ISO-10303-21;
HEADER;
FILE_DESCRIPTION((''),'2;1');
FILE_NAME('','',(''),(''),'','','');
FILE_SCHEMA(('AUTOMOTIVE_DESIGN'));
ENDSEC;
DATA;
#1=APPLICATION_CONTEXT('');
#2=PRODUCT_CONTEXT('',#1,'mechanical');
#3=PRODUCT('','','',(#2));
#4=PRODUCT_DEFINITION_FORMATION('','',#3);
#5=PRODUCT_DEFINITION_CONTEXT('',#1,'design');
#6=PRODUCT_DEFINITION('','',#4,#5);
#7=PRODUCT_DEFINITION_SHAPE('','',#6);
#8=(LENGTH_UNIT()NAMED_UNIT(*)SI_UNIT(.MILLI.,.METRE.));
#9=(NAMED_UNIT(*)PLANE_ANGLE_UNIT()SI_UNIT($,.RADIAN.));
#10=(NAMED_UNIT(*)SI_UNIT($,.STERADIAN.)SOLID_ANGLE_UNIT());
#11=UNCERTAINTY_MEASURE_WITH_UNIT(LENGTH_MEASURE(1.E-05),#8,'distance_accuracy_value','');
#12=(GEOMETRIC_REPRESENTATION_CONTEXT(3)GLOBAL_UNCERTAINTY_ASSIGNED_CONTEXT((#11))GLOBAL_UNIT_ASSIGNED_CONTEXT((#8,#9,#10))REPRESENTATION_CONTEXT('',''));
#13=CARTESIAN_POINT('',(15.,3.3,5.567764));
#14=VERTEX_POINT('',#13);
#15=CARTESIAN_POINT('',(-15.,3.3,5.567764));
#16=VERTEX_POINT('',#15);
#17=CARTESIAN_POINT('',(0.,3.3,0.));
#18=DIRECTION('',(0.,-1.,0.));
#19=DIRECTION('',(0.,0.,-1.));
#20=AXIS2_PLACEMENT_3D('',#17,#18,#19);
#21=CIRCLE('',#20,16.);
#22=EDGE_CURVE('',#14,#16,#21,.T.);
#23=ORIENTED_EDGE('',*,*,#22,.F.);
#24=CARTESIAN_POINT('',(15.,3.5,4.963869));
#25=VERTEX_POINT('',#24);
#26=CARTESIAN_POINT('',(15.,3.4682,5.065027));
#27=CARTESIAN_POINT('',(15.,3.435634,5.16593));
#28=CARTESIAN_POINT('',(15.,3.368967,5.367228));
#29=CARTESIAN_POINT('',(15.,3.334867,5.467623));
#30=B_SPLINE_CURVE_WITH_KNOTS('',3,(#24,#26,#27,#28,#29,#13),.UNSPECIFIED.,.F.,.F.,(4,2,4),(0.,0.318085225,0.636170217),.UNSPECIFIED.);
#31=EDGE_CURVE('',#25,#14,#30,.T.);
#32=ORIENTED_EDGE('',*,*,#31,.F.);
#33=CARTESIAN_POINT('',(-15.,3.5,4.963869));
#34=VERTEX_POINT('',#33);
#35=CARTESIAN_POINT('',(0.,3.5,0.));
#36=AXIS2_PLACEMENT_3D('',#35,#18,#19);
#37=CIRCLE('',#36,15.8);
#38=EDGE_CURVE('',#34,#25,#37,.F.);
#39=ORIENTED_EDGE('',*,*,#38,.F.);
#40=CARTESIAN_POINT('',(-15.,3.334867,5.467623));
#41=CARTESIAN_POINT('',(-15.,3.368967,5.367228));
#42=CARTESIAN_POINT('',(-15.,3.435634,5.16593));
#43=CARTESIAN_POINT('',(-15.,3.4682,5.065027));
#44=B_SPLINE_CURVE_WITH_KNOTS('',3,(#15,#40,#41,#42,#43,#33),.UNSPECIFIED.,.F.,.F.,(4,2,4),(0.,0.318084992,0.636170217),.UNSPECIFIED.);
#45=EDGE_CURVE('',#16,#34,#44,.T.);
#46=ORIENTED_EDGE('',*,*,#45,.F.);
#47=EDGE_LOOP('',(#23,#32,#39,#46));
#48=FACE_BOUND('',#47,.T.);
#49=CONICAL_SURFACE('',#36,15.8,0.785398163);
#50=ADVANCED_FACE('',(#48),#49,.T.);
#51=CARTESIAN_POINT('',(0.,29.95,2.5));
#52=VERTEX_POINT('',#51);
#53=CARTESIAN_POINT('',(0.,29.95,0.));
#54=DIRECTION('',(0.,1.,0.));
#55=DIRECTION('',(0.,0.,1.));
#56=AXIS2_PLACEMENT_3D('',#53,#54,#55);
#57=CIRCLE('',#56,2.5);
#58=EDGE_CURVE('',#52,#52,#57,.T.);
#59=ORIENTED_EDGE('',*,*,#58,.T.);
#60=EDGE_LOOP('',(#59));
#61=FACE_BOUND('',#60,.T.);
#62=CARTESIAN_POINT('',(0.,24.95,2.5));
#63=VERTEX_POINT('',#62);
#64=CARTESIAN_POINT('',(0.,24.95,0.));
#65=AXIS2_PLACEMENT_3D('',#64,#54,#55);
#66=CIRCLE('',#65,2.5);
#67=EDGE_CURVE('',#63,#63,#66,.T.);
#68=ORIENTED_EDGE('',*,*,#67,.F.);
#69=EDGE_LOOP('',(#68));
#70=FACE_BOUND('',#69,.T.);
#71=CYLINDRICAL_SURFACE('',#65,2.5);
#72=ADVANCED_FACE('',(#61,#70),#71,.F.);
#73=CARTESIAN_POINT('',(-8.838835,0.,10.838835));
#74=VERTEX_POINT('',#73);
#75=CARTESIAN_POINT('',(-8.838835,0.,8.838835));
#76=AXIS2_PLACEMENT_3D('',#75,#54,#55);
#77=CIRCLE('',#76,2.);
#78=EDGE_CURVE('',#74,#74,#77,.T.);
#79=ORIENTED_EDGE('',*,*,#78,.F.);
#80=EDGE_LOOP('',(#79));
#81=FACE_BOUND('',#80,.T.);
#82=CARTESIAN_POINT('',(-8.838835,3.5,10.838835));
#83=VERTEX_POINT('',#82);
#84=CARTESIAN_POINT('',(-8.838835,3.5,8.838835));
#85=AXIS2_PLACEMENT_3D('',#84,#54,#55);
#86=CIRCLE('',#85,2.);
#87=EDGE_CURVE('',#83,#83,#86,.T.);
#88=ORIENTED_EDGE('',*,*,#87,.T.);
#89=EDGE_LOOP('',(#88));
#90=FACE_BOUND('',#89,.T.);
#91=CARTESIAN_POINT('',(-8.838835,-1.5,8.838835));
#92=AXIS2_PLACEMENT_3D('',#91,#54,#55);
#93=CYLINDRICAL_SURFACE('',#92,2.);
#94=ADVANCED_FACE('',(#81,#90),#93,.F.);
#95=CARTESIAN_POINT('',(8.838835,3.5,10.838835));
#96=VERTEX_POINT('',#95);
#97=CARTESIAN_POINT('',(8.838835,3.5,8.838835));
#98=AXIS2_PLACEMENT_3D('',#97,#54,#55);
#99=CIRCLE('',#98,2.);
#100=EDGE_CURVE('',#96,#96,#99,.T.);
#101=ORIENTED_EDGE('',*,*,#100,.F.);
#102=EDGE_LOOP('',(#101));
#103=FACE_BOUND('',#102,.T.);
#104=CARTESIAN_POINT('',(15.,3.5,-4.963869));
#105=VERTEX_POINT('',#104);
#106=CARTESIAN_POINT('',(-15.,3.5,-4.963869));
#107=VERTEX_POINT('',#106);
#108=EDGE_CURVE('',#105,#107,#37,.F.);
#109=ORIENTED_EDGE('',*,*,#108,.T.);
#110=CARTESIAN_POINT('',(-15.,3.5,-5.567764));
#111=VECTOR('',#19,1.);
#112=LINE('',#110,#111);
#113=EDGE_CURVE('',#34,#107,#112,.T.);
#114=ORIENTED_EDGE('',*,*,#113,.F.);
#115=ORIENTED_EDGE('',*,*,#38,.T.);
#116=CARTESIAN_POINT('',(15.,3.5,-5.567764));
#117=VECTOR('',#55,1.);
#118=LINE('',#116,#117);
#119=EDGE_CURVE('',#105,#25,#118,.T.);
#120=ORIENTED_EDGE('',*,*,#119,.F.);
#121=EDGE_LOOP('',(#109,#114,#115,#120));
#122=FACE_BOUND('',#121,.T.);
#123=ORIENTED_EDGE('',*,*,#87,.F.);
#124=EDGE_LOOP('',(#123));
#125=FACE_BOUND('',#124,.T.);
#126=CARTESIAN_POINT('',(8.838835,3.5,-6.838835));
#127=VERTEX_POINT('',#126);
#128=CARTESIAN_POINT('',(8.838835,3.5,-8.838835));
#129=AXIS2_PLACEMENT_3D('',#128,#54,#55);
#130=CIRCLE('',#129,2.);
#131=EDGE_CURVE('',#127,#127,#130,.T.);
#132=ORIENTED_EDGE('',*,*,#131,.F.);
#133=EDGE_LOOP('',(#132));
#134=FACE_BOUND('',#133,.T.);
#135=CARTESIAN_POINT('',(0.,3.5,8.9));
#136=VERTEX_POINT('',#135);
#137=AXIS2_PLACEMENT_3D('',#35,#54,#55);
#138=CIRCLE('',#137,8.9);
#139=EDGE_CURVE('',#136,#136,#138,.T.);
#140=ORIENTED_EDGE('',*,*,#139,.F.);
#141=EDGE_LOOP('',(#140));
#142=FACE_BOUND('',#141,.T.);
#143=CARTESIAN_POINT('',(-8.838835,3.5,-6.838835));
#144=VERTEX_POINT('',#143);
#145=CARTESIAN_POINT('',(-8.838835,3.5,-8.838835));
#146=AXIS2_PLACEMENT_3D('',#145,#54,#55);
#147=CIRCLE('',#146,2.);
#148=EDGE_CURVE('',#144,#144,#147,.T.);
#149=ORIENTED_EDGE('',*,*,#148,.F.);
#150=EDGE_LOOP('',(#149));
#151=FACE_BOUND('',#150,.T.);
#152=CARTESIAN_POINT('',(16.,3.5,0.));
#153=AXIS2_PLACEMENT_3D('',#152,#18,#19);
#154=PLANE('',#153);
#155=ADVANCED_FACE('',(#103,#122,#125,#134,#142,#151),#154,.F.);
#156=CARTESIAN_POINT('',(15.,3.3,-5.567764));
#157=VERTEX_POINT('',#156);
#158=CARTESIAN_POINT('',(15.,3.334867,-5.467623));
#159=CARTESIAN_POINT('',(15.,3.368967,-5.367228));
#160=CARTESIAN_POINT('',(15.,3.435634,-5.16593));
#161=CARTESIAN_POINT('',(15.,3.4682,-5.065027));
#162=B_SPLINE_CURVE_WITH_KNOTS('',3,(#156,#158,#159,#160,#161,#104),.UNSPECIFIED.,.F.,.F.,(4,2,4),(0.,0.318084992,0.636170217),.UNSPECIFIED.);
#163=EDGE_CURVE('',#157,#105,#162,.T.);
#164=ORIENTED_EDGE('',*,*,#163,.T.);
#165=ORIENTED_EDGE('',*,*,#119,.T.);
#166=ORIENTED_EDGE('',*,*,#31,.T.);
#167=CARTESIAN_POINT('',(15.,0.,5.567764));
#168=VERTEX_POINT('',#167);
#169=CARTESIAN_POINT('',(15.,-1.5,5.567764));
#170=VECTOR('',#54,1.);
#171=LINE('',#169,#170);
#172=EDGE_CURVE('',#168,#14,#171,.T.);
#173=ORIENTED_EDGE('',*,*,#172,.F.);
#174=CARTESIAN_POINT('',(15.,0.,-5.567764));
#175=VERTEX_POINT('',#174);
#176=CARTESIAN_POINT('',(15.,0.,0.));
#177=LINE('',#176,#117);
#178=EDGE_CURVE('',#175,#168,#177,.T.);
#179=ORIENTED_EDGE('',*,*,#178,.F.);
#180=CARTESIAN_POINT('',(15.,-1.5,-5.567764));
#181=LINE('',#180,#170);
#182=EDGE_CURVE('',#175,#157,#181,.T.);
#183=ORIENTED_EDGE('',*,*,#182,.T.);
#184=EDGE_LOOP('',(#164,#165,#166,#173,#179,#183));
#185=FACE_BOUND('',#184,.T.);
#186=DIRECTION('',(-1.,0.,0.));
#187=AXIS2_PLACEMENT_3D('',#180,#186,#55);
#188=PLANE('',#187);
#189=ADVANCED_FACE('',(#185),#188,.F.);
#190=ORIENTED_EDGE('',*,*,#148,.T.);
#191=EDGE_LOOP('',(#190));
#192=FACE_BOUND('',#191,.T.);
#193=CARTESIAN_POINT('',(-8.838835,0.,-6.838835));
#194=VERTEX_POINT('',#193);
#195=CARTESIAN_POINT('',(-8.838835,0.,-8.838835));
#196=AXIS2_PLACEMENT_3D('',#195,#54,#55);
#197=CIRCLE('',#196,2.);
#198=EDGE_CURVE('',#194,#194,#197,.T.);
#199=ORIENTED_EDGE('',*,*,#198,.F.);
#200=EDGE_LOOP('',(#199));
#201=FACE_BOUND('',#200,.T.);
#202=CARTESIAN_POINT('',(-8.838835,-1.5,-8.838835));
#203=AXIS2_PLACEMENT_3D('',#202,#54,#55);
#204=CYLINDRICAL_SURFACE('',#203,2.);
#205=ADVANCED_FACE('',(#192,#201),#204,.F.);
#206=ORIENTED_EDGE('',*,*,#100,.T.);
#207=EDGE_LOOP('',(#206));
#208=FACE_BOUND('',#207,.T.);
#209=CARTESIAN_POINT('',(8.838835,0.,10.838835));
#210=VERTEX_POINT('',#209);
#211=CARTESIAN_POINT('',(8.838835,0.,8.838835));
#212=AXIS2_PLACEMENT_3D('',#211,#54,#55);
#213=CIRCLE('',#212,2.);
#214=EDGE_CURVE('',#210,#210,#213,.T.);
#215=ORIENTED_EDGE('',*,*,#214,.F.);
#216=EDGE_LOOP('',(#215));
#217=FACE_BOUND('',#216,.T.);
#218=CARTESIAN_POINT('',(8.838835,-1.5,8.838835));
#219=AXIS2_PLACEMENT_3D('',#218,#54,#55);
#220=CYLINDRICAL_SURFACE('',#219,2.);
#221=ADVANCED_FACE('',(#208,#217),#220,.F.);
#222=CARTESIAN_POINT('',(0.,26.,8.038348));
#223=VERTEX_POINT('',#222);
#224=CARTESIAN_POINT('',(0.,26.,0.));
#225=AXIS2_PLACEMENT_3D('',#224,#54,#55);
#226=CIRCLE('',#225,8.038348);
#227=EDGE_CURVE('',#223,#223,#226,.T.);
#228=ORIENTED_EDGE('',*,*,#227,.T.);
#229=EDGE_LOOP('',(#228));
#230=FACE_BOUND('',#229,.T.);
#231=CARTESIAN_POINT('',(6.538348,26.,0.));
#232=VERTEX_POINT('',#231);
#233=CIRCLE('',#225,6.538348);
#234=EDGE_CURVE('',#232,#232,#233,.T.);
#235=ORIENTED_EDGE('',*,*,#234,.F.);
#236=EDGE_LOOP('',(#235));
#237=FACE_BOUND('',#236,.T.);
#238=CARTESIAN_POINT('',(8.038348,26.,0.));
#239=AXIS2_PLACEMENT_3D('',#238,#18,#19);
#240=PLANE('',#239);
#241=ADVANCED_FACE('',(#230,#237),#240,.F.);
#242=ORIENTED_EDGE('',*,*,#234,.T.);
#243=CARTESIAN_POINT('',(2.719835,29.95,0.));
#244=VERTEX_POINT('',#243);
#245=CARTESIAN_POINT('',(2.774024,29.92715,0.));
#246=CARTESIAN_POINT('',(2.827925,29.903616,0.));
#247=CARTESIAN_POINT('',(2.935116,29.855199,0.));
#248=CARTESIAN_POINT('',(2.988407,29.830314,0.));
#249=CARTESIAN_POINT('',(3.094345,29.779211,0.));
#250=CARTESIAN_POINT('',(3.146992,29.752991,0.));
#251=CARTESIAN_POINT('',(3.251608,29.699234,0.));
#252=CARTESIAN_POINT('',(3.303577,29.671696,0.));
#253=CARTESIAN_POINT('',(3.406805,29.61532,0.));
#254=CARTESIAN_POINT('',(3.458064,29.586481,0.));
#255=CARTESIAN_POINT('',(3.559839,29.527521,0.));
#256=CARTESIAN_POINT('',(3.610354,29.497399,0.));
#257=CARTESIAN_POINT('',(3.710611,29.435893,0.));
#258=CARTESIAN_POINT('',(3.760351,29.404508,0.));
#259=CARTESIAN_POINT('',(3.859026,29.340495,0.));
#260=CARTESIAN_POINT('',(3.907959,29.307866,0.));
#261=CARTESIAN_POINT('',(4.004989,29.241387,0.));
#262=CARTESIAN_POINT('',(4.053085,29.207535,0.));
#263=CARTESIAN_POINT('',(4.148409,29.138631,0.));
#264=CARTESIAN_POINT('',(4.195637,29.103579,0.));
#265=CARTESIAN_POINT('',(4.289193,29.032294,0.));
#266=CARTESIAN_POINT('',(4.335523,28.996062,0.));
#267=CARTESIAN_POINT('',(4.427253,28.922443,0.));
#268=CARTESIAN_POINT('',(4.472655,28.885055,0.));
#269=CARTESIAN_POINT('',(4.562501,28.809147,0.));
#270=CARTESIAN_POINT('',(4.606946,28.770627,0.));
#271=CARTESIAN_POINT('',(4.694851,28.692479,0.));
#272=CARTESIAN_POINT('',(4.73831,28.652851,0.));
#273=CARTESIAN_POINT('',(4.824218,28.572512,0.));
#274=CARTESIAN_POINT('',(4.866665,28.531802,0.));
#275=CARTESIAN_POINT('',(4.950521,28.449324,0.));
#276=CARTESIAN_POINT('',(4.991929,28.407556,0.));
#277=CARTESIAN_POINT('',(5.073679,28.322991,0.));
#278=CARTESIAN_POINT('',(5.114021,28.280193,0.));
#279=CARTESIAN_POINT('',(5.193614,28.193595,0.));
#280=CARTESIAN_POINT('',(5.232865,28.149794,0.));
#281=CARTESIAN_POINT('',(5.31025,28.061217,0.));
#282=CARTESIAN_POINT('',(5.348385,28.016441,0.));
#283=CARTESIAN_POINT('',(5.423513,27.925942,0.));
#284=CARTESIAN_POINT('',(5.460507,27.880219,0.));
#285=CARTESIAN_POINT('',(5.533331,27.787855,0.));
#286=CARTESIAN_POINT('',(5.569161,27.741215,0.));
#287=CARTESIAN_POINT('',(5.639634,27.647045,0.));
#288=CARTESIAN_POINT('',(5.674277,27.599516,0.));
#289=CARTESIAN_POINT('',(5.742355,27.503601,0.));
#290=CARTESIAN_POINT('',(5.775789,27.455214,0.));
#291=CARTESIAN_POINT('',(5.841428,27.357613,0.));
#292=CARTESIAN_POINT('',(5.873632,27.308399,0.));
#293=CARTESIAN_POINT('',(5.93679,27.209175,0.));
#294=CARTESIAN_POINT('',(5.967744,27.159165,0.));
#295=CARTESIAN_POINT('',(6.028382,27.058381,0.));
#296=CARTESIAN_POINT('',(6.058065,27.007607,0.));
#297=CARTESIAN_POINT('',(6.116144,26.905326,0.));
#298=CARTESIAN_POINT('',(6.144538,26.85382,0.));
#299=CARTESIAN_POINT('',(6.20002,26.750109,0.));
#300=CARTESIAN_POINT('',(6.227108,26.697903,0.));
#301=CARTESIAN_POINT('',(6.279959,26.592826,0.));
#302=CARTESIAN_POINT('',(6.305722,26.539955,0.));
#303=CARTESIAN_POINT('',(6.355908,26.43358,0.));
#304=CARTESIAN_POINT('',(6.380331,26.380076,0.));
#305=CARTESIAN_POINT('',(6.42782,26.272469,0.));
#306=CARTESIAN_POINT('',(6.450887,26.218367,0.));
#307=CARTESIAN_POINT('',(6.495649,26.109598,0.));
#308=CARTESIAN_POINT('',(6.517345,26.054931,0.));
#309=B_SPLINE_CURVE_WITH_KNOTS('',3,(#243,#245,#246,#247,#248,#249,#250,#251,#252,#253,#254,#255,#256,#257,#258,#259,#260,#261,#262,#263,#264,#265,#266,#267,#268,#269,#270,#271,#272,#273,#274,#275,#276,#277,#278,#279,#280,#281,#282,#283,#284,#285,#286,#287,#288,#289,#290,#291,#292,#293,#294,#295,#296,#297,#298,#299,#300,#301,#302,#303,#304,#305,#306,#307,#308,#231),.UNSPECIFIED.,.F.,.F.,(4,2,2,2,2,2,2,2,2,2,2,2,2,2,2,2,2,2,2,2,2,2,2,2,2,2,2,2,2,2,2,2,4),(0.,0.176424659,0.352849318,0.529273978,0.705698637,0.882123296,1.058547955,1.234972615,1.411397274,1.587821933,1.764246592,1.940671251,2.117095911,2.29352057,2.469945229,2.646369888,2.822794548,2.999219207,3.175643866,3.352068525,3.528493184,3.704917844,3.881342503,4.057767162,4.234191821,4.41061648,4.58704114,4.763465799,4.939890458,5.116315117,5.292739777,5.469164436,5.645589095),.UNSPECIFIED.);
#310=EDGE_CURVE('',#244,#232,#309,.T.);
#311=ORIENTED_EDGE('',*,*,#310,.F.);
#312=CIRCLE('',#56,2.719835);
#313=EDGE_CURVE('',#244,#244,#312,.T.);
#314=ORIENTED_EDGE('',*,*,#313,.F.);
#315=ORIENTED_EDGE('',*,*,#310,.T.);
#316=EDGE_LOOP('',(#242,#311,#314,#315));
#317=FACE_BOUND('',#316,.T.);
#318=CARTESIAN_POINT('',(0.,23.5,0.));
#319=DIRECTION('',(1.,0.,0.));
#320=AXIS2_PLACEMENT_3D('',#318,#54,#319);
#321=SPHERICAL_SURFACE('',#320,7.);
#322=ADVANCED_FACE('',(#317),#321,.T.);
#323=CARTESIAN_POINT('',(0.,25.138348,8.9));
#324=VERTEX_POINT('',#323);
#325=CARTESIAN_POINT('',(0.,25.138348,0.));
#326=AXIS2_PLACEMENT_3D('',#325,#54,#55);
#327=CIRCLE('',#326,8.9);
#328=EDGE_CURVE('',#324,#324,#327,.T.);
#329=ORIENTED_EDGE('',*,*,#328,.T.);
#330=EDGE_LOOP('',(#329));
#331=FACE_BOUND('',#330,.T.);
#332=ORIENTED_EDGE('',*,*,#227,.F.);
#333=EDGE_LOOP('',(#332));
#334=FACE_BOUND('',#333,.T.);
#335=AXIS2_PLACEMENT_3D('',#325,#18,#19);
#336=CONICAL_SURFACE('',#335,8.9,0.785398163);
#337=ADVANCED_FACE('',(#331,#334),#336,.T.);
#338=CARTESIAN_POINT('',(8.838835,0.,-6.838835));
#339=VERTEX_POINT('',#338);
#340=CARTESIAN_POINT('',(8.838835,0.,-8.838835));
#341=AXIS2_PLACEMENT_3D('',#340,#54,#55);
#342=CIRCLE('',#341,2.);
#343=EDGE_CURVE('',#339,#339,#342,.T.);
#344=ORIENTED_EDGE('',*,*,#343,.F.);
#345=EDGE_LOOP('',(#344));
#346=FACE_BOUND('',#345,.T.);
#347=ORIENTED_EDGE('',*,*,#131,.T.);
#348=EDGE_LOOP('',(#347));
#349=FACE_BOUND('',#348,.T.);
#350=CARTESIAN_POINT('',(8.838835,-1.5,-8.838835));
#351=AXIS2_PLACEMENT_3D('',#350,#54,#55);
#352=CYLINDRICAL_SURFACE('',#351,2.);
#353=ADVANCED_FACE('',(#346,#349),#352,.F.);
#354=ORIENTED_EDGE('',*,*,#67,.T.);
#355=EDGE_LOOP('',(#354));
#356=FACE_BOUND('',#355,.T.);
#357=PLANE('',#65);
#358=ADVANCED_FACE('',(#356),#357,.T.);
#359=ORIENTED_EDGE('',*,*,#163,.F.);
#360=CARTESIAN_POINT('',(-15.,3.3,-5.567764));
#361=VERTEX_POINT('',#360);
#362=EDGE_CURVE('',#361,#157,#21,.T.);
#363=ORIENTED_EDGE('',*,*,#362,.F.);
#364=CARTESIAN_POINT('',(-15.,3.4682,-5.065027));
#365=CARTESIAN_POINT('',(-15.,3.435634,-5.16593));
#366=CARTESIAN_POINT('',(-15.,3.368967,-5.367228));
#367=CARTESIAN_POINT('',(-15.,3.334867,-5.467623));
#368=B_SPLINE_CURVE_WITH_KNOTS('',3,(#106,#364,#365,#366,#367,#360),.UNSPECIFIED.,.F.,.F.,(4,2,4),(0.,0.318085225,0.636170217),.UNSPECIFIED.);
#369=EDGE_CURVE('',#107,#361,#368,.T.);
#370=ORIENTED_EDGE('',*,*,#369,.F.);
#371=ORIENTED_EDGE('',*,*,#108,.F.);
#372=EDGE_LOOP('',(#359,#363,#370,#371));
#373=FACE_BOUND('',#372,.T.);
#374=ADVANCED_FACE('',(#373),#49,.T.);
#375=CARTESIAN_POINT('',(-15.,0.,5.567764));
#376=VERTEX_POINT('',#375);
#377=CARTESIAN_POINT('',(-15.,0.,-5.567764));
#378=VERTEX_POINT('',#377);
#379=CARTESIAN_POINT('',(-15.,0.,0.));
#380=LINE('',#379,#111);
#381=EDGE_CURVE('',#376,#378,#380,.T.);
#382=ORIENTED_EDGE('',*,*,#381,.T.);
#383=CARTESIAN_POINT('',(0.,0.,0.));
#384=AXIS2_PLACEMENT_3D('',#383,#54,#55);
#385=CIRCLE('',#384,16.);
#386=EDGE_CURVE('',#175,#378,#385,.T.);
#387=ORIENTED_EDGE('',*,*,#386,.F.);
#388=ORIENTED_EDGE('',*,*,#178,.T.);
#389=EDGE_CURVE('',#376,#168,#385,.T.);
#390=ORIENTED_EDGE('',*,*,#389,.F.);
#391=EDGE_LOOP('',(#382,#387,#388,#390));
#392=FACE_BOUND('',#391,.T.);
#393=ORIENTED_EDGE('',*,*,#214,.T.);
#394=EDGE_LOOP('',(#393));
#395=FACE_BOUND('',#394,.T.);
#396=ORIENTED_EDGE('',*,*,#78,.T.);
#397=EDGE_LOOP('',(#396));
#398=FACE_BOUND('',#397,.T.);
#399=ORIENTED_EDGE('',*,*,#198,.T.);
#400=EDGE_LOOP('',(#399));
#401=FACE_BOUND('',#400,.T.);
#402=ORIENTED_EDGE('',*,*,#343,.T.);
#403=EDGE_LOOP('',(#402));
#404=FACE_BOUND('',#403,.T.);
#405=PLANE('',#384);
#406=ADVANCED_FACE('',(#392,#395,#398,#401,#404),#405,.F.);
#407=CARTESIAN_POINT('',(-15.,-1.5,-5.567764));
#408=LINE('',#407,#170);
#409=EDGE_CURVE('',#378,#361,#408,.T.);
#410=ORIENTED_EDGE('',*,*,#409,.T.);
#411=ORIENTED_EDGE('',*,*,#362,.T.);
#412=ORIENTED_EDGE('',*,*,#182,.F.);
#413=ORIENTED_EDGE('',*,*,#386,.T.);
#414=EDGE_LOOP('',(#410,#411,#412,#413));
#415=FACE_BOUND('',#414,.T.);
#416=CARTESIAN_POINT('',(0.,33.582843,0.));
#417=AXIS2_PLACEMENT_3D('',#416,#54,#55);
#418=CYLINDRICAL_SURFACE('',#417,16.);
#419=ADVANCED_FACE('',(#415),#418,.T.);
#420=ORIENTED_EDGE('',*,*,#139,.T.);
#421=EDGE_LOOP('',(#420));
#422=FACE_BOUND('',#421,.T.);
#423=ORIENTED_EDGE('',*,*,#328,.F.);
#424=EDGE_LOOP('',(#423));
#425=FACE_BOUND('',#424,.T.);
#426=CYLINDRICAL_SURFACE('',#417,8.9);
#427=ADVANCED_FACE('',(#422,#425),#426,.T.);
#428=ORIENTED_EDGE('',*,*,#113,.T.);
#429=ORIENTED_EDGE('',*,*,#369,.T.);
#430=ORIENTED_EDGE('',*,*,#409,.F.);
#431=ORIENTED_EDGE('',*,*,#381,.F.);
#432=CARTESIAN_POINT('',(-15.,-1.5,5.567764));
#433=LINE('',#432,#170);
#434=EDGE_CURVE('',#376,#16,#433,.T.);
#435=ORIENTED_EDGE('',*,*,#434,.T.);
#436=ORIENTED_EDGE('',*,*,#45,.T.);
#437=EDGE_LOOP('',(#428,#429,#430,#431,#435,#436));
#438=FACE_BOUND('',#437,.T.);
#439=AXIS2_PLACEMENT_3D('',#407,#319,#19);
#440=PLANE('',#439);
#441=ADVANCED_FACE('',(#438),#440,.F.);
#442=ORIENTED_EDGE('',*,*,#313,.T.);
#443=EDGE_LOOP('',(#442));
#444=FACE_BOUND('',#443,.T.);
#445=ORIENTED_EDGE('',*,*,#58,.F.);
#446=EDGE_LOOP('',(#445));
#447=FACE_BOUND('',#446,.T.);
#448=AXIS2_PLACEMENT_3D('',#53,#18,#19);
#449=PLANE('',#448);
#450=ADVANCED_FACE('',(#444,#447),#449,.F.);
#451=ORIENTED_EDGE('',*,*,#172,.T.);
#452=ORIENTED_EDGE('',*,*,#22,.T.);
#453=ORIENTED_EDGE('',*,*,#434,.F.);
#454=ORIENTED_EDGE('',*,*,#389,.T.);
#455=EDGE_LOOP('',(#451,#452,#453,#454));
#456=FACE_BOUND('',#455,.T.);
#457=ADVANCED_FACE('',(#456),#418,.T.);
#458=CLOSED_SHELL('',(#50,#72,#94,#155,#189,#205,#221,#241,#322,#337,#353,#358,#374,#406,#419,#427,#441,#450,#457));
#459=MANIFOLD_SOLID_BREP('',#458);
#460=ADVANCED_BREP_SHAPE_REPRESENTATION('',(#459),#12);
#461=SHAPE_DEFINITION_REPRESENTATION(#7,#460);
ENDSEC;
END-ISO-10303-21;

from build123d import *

# Parameters (mm, degrees)
SKETCH_2_R          = 2.5
CUT_EXTRUDE_1_DEPTH = 5
SKETCH_3_R          = 2
CUT_EXTRUDE_2_DEPTH = 5
CHAMFER_1_SIZE      = 0.2


with BuildPart() as part:
    # 草图1 → 旋转1 (revolve)
    with BuildSketch(Plane.XY, mode=Mode.PRIVATE) as revolve_1_sk:
        with BuildLine():
            Line((0, 0), (16, 0))
            Line((16, 0), (16, 3.5))
            Line((16, 3.5), (8.9, 3.5))
            Line((8.9, 3.5), (8.9, 25.138348415))
            Line((8.9, 25.138348415), (8.038348415, 26))
            Line((8.038348415, 26), (6.538348415, 26))
            ThreePointArc((6.538348415, 26), (5.032803689, 28.365273582), (2.719834554, 29.95))
            Line((2.719834554, 29.95), (0, 29.95))
            Line((0, 29.95), (0, 0))
        make_face()
    revolve(revolve_1_sk.sketch.rotate(Axis((0, 33.582842794, 0), (0, -1, 0)), 90), axis=Axis((0, 33.582842794, 0), (0, -1, 0)))

    # 草图2 → 切除-拉伸1 (cut)
    with BuildSketch(Plane(origin=(0, 29.95, 0), x_dir=(1, 0, 0), z_dir=(0, 1, 0))):
        with Locations(Location((0, 0, 0), (0, 0, 270))):
            Circle(SKETCH_2_R)
    extrude(amount=-CUT_EXTRUDE_1_DEPTH, mode=Mode.SUBTRACT)

    # 草图3 → 切除-拉伸2 (cut)
    with BuildSketch(Plane(origin=(0, 3.5, 0), x_dir=(1, 0, 0), z_dir=(0, 1, 0))):
        with Locations(Location((8.838834765, 8.838834765, 0), (0, 0, 270))):
            Circle(SKETCH_3_R)
        with Locations(Location((8.838834765, -8.838834765, 0), (0, 0, 270))):
            Circle(SKETCH_3_R)
        with Locations(Location((-8.838834765, -8.838834765, 0), (0, 0, 270))):
            Circle(SKETCH_3_R)
        with Locations(Location((-8.838834765, 8.838834765, 0), (0, 0, 270))):
            Circle(SKETCH_3_R)
        with BuildLine():
            Line((-15, 5.567764363), (-15, -5.567764363))
            ThreePointArc((-15, -5.567764363), (-16, 0), (-15, 5.567764363))
        make_face()
        with BuildLine():
            Line((15, 5.567764363), (15, -5.567764363))
            ThreePointArc((15, -5.567764363), (16, 0), (15, 5.567764363))
        make_face()
    extrude(amount=-CUT_EXTRUDE_2_DEPTH, mode=Mode.SUBTRACT)

    # 倒角1
    chamfer_1_edges = [part.edges().sort_by_distance(p)[0] for p in [
        (0, 3.5, -16),
        (0, 3.5, 16),
    ]]
    chamfer(chamfer_1_edges, length=CHAMFER_1_SIZE)


solid = part.part
